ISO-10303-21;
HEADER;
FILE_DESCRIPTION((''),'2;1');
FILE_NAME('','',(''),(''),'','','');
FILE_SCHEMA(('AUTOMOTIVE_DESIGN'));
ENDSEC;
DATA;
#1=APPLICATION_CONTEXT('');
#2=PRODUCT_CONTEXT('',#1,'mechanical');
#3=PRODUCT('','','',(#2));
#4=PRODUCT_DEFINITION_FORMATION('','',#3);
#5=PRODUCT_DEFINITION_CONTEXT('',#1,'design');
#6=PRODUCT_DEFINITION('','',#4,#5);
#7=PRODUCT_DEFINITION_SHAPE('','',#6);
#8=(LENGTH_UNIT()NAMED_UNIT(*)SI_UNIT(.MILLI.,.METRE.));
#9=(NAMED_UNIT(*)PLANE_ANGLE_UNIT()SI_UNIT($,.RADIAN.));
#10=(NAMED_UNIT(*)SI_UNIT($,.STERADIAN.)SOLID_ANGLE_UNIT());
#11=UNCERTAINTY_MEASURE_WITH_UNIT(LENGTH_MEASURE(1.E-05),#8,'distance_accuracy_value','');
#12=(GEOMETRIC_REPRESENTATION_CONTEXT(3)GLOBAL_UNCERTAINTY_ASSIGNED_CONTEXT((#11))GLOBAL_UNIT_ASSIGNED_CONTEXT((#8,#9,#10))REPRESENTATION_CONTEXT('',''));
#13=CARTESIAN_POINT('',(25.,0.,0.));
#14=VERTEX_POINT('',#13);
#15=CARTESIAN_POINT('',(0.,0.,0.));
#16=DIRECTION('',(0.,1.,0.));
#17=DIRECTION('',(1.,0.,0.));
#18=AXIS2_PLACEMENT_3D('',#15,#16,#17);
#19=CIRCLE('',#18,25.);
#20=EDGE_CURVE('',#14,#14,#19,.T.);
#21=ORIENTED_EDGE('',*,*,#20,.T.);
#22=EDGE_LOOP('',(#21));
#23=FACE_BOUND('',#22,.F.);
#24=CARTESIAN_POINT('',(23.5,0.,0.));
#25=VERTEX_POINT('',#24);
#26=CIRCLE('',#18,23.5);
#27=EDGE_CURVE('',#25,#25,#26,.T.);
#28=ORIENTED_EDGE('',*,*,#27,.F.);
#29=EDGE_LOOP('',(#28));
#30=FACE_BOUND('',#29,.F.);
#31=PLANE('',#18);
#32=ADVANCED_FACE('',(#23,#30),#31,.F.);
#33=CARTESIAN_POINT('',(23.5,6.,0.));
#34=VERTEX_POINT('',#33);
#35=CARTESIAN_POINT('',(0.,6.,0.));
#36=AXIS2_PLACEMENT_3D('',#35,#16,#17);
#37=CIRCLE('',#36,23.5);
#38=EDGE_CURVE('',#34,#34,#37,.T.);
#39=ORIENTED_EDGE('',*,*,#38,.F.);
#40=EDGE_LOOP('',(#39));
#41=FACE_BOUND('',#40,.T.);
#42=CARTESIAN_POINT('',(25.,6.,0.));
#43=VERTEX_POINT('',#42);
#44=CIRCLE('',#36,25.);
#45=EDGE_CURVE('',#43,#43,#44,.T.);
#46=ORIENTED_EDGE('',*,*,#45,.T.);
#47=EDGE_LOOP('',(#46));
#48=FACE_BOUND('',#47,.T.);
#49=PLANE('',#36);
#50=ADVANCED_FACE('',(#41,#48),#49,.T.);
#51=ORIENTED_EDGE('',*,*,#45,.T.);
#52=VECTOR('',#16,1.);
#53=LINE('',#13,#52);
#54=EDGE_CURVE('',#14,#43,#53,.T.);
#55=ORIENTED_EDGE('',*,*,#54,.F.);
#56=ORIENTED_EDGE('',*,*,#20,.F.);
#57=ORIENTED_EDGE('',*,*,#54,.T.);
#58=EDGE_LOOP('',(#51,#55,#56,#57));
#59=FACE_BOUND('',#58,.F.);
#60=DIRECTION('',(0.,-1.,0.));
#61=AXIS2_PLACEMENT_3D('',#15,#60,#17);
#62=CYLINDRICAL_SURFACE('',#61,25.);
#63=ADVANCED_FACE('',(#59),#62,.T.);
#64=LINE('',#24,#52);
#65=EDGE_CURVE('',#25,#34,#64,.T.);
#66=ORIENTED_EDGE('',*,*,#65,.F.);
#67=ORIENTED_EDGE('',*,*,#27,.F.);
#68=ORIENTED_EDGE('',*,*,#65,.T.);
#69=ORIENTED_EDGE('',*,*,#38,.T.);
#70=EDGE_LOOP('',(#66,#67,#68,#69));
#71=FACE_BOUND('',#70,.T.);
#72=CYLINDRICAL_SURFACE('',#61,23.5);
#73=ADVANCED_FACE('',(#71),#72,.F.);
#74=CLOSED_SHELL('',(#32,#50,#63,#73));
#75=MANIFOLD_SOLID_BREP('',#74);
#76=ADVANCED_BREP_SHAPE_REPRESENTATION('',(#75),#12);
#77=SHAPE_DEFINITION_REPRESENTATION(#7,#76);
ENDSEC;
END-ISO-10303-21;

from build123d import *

# Parameters (mm, degrees)
SKETCH1_R           = 25
SKETCH1_R_2         = 23.5
BOSS_EXTRUDE1_DEPTH = 6


with BuildPart() as part:
    # Sketch1 → Boss-Extrude1 (new body)
    with BuildSketch(Plane(origin=(0, 0, 0), x_dir=(1, 0, 0), z_dir=(0, 1, 0))):
        Circle(SKETCH1_R)
        Circle(SKETCH1_R_2, mode=Mode.SUBTRACT)
    extrude(amount=BOSS_EXTRUDE1_DEPTH)


solid = part.part
